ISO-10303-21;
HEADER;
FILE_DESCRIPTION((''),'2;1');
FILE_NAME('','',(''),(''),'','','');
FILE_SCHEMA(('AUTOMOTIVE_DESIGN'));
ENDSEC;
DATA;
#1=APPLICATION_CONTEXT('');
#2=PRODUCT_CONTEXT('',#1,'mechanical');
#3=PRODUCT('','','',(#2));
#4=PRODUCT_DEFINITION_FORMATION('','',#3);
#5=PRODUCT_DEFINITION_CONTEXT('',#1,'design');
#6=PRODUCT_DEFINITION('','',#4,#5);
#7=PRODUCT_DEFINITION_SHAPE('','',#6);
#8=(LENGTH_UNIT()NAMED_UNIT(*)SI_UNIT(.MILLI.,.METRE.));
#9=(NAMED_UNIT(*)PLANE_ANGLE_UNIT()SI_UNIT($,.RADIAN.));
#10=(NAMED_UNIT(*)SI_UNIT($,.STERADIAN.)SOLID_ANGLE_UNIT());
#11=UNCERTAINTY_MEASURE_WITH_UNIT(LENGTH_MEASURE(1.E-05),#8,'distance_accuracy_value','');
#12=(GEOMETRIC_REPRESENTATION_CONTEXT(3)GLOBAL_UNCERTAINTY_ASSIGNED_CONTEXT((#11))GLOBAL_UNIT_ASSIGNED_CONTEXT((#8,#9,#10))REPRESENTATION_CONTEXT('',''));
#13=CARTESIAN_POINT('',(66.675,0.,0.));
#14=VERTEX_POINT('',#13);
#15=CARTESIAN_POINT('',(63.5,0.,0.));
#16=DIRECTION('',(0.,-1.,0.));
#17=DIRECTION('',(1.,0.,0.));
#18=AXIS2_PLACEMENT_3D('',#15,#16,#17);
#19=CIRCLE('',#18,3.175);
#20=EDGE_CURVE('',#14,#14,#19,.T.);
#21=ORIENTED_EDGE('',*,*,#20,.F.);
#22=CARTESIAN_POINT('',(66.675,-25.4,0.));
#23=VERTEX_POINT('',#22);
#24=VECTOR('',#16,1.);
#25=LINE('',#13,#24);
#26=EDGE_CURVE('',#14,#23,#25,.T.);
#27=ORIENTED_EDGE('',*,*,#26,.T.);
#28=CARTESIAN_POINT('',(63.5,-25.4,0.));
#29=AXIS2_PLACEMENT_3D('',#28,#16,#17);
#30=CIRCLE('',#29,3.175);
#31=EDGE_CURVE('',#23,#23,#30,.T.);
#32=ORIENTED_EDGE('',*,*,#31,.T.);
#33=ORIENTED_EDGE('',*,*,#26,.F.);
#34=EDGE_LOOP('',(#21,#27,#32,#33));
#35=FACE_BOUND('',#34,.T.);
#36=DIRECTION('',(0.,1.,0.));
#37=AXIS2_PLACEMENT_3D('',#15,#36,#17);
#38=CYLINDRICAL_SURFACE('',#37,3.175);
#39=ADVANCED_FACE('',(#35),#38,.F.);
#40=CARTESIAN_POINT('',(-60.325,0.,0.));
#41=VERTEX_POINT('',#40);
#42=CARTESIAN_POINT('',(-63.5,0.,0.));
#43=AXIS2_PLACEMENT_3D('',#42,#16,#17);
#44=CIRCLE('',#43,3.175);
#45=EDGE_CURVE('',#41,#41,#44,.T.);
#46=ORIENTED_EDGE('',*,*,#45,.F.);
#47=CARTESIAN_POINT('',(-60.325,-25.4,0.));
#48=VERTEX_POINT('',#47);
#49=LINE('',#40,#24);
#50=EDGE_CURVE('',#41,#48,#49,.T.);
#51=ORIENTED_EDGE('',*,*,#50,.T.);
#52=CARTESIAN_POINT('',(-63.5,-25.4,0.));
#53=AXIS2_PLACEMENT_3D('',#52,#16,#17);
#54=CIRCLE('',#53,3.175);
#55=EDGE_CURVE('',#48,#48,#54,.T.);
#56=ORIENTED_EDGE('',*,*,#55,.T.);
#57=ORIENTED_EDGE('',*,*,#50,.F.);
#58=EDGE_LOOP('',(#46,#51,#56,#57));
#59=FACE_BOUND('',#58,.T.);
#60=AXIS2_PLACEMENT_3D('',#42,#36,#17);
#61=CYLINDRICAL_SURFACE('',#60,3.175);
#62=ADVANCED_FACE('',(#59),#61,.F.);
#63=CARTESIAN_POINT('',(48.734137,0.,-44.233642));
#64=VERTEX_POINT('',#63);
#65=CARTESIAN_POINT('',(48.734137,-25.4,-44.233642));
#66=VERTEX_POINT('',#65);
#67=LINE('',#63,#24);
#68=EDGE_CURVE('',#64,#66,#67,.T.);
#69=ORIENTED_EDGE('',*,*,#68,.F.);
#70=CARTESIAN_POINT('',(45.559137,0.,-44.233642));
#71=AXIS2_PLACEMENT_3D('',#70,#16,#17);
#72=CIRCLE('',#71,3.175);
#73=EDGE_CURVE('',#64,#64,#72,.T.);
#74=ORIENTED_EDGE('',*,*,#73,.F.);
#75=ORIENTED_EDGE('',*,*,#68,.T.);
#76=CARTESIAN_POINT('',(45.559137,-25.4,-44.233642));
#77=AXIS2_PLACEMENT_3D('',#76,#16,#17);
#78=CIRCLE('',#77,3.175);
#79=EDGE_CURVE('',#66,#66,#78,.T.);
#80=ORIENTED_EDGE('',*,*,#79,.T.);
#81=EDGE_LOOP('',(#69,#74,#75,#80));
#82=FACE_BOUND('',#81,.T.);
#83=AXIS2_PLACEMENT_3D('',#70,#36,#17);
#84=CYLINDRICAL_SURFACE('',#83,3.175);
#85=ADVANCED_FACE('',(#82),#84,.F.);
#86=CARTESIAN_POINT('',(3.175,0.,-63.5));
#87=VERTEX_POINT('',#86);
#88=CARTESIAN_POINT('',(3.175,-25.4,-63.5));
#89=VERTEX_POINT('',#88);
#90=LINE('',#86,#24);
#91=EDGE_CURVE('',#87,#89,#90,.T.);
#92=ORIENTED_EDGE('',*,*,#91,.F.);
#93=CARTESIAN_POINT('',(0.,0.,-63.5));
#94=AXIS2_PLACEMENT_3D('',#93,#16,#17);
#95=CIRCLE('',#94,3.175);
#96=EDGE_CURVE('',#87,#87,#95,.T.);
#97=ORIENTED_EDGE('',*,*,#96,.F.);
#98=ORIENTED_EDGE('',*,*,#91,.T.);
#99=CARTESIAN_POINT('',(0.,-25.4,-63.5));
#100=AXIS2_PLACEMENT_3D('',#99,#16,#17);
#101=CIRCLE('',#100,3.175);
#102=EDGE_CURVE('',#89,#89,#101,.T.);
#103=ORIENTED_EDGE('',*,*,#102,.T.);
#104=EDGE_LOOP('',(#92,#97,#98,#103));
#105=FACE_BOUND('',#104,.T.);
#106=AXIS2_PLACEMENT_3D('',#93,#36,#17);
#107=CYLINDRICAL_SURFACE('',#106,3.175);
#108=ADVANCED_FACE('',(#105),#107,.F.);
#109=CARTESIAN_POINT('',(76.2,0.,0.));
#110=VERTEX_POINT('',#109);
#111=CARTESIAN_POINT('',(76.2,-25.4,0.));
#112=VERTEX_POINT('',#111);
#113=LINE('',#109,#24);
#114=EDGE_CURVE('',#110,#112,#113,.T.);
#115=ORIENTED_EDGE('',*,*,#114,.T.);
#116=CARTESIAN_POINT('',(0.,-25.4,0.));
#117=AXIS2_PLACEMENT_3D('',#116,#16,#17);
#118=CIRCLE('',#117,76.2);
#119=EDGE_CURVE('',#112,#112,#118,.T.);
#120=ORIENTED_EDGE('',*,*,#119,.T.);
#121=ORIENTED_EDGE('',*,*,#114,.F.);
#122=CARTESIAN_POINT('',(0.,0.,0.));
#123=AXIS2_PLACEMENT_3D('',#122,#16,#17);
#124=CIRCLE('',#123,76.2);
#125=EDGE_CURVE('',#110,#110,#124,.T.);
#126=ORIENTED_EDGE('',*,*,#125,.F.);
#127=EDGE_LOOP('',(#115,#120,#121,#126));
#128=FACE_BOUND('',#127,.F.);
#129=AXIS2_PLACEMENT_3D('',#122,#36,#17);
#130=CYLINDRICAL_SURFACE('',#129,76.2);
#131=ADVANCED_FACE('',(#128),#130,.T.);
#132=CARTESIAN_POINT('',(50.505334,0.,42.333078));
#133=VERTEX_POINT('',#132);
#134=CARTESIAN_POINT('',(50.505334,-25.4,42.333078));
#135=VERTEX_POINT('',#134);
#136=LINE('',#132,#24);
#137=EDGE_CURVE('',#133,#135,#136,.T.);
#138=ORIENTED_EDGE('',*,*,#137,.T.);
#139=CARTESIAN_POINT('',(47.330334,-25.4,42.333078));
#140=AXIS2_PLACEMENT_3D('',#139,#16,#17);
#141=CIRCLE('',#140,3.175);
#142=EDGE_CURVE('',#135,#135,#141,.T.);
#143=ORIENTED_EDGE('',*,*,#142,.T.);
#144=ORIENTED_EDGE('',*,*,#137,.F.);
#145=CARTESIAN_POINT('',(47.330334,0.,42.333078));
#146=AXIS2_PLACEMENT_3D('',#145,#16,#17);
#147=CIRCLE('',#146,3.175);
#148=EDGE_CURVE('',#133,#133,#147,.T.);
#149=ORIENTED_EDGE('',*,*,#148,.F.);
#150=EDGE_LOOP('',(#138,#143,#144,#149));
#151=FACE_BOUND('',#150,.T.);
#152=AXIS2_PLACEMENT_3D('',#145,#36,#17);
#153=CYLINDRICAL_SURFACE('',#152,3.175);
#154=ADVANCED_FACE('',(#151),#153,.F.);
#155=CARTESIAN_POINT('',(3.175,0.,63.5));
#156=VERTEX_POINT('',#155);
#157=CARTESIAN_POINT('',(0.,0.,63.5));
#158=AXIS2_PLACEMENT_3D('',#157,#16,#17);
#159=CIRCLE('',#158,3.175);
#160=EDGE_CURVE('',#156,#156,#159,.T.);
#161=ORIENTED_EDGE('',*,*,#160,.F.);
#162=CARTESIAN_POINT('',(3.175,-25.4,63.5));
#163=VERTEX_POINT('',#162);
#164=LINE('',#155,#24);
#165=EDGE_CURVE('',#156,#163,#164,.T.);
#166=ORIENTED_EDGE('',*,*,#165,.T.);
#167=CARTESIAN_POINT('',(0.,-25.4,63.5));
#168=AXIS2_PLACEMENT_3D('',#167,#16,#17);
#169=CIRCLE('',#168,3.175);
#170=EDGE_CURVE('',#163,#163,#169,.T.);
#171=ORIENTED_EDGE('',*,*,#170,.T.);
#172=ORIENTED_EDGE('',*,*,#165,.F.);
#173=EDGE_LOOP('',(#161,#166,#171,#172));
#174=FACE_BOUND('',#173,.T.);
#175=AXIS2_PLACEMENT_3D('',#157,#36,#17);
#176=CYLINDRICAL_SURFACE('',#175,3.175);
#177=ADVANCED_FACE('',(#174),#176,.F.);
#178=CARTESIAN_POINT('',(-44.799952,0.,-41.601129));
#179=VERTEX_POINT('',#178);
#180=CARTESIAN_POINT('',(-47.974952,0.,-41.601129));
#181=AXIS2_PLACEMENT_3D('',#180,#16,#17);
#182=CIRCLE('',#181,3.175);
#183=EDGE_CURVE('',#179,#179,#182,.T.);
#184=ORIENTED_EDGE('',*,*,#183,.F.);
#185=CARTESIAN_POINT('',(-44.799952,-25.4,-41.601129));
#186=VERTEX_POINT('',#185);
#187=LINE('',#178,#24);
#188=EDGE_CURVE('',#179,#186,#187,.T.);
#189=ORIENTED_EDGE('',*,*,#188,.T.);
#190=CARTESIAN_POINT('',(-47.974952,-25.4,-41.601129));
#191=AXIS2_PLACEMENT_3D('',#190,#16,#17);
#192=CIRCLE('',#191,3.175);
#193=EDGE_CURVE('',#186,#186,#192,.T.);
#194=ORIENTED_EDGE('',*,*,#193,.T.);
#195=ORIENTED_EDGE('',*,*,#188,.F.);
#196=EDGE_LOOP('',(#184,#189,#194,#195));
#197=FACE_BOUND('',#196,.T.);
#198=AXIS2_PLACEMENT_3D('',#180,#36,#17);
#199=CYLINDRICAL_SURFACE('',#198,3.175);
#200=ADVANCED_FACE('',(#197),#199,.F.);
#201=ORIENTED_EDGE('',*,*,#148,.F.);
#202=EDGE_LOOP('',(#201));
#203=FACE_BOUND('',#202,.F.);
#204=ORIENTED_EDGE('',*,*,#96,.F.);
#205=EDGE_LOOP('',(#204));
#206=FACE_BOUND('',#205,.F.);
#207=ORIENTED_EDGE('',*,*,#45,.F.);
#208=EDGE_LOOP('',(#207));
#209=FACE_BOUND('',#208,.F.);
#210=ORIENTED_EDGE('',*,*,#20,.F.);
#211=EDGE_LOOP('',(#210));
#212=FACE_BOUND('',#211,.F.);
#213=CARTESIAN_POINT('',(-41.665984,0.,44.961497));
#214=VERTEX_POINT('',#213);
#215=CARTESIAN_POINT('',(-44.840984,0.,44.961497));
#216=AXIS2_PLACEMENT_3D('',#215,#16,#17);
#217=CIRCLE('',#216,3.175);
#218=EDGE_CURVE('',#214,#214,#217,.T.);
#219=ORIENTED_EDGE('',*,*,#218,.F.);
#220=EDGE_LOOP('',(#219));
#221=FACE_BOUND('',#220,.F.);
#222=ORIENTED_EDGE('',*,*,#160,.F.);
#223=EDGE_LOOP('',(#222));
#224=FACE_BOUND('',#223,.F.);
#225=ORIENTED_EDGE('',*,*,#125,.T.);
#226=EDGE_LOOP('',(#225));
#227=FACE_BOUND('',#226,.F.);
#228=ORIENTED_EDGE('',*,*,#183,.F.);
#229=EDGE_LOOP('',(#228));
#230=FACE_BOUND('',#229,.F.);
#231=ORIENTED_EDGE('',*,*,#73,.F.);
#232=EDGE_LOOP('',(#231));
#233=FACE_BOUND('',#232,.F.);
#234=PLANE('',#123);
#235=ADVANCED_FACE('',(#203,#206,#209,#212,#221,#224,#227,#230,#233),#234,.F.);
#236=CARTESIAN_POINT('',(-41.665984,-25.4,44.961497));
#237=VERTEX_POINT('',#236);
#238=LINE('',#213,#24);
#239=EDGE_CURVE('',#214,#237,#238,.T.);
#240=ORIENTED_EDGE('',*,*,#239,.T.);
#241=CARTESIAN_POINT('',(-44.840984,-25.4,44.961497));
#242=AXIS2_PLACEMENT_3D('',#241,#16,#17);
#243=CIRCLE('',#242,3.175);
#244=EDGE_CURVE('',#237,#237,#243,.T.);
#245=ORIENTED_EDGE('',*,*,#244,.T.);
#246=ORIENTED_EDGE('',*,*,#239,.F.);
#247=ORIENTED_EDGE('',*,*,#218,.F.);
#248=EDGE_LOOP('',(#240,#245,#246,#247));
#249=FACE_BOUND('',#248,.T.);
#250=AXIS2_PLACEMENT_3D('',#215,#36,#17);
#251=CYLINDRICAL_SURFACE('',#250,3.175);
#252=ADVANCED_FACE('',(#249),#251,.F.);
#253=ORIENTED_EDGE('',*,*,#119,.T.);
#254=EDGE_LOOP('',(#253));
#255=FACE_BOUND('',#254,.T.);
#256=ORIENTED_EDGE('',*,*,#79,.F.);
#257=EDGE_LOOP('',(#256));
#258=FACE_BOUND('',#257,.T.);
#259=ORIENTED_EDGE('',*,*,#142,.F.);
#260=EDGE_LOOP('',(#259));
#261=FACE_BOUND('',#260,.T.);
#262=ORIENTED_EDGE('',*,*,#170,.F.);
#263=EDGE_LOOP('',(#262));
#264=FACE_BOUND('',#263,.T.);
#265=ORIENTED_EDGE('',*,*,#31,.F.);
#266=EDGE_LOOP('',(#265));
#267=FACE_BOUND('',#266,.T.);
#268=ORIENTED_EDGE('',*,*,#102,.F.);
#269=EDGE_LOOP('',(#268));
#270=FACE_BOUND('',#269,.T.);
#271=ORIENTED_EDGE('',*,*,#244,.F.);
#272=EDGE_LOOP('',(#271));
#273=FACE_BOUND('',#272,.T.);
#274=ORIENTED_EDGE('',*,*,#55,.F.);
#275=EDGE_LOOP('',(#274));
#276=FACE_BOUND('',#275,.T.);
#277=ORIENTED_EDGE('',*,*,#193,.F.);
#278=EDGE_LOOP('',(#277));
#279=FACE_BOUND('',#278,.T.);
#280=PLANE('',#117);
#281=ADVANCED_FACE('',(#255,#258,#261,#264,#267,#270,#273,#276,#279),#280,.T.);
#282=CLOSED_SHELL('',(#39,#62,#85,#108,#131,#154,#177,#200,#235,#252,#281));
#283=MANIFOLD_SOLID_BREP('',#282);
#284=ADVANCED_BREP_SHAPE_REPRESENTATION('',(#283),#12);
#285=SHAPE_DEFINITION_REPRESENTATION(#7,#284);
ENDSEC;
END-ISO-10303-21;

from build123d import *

# Parameters (mm, degrees)
F0_R     = 76.2
F0_R_2   = 3.175
F1_DEPTH = 25.4


with BuildPart() as f1:
    # F0 (on Front) → F1 (new body)
    with BuildSketch(Plane.XZ):
        Circle(F0_R)
        with Locations((-47.974952, -41.601129)):
            Circle(F0_R_2, mode=Mode.SUBTRACT)
        with Locations((0, -63.5)):
            Circle(F0_R_2, mode=Mode.SUBTRACT)
        with Locations((45.559137, -44.233642)):
            Circle(F0_R_2, mode=Mode.SUBTRACT)
        with Locations((-63.5, 0)):
            Circle(F0_R_2, mode=Mode.SUBTRACT)
        with Locations((-44.840984, 44.961497)):
            Circle(F0_R_2, mode=Mode.SUBTRACT)
        with Locations((63.5, 0)):
            Circle(F0_R_2, mode=Mode.SUBTRACT)
        with Locations((0, 63.5)):
            Circle(F0_R_2, mode=Mode.SUBTRACT)
        with Locations((47.330334, 42.333078)):
            Circle(F0_R_2, mode=Mode.SUBTRACT)
    extrude(amount=F1_DEPTH)


solid = f1.part
